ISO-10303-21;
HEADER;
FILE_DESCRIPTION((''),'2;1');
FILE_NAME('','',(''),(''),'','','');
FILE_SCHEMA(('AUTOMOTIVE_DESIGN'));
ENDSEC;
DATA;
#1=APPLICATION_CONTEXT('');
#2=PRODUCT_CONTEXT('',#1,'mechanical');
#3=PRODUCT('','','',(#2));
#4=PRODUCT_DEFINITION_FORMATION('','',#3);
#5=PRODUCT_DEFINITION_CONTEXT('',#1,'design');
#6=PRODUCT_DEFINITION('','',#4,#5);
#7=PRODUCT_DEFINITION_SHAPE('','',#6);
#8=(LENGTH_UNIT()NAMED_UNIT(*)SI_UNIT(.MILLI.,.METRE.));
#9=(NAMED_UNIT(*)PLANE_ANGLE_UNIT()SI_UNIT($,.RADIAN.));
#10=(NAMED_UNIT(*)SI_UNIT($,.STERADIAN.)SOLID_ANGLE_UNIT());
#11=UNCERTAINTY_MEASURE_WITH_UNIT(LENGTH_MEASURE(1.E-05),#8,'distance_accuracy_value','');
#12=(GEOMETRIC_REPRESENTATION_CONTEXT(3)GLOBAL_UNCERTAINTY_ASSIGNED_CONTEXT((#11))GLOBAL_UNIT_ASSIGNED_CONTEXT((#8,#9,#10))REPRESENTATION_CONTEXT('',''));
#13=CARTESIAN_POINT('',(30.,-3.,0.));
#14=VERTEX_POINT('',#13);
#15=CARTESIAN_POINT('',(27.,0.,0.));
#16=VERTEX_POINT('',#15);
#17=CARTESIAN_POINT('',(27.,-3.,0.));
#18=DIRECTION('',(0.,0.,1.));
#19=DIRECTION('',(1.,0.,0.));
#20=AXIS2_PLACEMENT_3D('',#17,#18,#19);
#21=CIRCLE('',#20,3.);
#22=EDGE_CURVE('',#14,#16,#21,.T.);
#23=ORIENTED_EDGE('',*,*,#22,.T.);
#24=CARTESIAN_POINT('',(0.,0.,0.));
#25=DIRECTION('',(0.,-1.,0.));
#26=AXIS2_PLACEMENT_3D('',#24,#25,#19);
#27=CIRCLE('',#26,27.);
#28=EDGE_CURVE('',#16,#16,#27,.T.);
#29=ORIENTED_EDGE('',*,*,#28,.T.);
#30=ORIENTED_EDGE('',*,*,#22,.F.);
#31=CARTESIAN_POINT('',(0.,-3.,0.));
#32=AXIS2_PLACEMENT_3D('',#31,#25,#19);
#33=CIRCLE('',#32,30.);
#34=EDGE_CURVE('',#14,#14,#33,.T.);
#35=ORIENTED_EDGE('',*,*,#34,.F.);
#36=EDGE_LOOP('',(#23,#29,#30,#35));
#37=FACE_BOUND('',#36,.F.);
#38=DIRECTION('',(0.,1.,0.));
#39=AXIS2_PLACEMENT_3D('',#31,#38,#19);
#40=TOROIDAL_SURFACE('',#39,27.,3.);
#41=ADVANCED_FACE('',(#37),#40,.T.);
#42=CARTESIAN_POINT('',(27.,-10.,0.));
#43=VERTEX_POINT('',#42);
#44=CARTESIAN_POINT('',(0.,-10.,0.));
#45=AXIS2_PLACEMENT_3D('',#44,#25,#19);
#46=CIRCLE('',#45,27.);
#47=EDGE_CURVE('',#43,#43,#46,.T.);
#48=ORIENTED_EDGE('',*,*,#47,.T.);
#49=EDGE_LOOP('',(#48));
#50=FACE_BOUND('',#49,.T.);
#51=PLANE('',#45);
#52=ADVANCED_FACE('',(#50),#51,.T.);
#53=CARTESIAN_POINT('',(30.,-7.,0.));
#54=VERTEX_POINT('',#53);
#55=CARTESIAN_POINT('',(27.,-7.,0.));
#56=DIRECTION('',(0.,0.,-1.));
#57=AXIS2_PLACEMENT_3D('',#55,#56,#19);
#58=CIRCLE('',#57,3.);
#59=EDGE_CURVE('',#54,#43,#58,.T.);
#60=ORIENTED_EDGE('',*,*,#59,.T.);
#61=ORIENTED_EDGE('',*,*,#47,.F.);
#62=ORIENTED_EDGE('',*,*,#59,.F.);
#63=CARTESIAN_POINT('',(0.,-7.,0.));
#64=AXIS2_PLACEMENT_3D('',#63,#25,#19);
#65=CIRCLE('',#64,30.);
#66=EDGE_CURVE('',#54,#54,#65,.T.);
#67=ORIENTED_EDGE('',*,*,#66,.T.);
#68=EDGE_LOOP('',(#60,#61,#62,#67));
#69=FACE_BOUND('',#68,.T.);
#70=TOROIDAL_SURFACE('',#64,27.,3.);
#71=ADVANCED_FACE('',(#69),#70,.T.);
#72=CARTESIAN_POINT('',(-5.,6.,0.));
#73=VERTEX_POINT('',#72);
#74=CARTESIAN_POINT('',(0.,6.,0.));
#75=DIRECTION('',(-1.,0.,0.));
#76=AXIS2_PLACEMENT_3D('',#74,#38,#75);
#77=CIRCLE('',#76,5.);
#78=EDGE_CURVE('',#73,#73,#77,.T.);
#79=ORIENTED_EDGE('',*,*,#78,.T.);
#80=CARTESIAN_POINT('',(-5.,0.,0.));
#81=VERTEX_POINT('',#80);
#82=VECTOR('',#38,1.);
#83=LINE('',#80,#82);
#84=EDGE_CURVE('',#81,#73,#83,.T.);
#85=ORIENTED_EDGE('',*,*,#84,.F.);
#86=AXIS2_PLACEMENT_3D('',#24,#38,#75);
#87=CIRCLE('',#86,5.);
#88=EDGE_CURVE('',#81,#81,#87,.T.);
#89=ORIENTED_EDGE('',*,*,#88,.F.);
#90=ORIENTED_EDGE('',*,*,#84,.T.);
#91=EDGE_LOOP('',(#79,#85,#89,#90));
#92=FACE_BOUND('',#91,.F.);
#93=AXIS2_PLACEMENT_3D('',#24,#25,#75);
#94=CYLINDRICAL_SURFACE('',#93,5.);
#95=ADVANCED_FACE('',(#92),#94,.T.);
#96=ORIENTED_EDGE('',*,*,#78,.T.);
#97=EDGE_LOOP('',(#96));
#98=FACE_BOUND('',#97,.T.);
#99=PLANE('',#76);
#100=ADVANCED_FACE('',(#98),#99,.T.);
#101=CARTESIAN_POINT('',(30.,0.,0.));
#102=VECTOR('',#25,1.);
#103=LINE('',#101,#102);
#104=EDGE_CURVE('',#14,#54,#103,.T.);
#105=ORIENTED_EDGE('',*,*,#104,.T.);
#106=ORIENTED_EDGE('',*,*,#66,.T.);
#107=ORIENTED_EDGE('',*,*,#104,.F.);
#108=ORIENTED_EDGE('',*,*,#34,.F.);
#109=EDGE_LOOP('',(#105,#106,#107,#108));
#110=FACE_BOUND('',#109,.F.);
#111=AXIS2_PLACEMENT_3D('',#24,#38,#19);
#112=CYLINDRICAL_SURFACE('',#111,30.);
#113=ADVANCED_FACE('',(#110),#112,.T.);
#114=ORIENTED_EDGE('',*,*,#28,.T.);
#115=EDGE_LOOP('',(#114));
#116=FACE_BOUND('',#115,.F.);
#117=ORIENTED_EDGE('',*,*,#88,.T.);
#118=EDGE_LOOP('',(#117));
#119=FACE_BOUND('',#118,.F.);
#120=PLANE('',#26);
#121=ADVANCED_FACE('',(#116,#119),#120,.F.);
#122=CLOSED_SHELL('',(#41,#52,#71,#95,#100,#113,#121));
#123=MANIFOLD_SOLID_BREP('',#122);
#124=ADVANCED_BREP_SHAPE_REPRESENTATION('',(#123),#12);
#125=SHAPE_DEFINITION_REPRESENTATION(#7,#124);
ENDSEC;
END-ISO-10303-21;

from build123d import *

# Parameters (mm, degrees)
F0_R     = 30
F1_DEPTH = 10
F2_R     = 3
F3_R     = 5
F4_DEPTH = 6


with BuildPart() as f1:
    # F0 (on Front) → F1 (new body)
    with BuildSketch(Plane.XZ):
        Circle(F0_R)
    extrude(amount=F1_DEPTH)

    # F2
    f2_edges = [f1.edges().sort_by_distance(p)[0] for p in [
        (-30, -10, 0),
        (-30, 0, 0),
    ]]
    fillet(f2_edges, radius=F2_R)

    # F3 (on face) → F4 (join)
    with BuildSketch(Plane(origin=(0, 0, 0), x_dir=(-1, 0, 0), z_dir=(0, 1, 0))):
        Circle(F3_R)
    extrude(amount=F4_DEPTH)


solid = f1.part
